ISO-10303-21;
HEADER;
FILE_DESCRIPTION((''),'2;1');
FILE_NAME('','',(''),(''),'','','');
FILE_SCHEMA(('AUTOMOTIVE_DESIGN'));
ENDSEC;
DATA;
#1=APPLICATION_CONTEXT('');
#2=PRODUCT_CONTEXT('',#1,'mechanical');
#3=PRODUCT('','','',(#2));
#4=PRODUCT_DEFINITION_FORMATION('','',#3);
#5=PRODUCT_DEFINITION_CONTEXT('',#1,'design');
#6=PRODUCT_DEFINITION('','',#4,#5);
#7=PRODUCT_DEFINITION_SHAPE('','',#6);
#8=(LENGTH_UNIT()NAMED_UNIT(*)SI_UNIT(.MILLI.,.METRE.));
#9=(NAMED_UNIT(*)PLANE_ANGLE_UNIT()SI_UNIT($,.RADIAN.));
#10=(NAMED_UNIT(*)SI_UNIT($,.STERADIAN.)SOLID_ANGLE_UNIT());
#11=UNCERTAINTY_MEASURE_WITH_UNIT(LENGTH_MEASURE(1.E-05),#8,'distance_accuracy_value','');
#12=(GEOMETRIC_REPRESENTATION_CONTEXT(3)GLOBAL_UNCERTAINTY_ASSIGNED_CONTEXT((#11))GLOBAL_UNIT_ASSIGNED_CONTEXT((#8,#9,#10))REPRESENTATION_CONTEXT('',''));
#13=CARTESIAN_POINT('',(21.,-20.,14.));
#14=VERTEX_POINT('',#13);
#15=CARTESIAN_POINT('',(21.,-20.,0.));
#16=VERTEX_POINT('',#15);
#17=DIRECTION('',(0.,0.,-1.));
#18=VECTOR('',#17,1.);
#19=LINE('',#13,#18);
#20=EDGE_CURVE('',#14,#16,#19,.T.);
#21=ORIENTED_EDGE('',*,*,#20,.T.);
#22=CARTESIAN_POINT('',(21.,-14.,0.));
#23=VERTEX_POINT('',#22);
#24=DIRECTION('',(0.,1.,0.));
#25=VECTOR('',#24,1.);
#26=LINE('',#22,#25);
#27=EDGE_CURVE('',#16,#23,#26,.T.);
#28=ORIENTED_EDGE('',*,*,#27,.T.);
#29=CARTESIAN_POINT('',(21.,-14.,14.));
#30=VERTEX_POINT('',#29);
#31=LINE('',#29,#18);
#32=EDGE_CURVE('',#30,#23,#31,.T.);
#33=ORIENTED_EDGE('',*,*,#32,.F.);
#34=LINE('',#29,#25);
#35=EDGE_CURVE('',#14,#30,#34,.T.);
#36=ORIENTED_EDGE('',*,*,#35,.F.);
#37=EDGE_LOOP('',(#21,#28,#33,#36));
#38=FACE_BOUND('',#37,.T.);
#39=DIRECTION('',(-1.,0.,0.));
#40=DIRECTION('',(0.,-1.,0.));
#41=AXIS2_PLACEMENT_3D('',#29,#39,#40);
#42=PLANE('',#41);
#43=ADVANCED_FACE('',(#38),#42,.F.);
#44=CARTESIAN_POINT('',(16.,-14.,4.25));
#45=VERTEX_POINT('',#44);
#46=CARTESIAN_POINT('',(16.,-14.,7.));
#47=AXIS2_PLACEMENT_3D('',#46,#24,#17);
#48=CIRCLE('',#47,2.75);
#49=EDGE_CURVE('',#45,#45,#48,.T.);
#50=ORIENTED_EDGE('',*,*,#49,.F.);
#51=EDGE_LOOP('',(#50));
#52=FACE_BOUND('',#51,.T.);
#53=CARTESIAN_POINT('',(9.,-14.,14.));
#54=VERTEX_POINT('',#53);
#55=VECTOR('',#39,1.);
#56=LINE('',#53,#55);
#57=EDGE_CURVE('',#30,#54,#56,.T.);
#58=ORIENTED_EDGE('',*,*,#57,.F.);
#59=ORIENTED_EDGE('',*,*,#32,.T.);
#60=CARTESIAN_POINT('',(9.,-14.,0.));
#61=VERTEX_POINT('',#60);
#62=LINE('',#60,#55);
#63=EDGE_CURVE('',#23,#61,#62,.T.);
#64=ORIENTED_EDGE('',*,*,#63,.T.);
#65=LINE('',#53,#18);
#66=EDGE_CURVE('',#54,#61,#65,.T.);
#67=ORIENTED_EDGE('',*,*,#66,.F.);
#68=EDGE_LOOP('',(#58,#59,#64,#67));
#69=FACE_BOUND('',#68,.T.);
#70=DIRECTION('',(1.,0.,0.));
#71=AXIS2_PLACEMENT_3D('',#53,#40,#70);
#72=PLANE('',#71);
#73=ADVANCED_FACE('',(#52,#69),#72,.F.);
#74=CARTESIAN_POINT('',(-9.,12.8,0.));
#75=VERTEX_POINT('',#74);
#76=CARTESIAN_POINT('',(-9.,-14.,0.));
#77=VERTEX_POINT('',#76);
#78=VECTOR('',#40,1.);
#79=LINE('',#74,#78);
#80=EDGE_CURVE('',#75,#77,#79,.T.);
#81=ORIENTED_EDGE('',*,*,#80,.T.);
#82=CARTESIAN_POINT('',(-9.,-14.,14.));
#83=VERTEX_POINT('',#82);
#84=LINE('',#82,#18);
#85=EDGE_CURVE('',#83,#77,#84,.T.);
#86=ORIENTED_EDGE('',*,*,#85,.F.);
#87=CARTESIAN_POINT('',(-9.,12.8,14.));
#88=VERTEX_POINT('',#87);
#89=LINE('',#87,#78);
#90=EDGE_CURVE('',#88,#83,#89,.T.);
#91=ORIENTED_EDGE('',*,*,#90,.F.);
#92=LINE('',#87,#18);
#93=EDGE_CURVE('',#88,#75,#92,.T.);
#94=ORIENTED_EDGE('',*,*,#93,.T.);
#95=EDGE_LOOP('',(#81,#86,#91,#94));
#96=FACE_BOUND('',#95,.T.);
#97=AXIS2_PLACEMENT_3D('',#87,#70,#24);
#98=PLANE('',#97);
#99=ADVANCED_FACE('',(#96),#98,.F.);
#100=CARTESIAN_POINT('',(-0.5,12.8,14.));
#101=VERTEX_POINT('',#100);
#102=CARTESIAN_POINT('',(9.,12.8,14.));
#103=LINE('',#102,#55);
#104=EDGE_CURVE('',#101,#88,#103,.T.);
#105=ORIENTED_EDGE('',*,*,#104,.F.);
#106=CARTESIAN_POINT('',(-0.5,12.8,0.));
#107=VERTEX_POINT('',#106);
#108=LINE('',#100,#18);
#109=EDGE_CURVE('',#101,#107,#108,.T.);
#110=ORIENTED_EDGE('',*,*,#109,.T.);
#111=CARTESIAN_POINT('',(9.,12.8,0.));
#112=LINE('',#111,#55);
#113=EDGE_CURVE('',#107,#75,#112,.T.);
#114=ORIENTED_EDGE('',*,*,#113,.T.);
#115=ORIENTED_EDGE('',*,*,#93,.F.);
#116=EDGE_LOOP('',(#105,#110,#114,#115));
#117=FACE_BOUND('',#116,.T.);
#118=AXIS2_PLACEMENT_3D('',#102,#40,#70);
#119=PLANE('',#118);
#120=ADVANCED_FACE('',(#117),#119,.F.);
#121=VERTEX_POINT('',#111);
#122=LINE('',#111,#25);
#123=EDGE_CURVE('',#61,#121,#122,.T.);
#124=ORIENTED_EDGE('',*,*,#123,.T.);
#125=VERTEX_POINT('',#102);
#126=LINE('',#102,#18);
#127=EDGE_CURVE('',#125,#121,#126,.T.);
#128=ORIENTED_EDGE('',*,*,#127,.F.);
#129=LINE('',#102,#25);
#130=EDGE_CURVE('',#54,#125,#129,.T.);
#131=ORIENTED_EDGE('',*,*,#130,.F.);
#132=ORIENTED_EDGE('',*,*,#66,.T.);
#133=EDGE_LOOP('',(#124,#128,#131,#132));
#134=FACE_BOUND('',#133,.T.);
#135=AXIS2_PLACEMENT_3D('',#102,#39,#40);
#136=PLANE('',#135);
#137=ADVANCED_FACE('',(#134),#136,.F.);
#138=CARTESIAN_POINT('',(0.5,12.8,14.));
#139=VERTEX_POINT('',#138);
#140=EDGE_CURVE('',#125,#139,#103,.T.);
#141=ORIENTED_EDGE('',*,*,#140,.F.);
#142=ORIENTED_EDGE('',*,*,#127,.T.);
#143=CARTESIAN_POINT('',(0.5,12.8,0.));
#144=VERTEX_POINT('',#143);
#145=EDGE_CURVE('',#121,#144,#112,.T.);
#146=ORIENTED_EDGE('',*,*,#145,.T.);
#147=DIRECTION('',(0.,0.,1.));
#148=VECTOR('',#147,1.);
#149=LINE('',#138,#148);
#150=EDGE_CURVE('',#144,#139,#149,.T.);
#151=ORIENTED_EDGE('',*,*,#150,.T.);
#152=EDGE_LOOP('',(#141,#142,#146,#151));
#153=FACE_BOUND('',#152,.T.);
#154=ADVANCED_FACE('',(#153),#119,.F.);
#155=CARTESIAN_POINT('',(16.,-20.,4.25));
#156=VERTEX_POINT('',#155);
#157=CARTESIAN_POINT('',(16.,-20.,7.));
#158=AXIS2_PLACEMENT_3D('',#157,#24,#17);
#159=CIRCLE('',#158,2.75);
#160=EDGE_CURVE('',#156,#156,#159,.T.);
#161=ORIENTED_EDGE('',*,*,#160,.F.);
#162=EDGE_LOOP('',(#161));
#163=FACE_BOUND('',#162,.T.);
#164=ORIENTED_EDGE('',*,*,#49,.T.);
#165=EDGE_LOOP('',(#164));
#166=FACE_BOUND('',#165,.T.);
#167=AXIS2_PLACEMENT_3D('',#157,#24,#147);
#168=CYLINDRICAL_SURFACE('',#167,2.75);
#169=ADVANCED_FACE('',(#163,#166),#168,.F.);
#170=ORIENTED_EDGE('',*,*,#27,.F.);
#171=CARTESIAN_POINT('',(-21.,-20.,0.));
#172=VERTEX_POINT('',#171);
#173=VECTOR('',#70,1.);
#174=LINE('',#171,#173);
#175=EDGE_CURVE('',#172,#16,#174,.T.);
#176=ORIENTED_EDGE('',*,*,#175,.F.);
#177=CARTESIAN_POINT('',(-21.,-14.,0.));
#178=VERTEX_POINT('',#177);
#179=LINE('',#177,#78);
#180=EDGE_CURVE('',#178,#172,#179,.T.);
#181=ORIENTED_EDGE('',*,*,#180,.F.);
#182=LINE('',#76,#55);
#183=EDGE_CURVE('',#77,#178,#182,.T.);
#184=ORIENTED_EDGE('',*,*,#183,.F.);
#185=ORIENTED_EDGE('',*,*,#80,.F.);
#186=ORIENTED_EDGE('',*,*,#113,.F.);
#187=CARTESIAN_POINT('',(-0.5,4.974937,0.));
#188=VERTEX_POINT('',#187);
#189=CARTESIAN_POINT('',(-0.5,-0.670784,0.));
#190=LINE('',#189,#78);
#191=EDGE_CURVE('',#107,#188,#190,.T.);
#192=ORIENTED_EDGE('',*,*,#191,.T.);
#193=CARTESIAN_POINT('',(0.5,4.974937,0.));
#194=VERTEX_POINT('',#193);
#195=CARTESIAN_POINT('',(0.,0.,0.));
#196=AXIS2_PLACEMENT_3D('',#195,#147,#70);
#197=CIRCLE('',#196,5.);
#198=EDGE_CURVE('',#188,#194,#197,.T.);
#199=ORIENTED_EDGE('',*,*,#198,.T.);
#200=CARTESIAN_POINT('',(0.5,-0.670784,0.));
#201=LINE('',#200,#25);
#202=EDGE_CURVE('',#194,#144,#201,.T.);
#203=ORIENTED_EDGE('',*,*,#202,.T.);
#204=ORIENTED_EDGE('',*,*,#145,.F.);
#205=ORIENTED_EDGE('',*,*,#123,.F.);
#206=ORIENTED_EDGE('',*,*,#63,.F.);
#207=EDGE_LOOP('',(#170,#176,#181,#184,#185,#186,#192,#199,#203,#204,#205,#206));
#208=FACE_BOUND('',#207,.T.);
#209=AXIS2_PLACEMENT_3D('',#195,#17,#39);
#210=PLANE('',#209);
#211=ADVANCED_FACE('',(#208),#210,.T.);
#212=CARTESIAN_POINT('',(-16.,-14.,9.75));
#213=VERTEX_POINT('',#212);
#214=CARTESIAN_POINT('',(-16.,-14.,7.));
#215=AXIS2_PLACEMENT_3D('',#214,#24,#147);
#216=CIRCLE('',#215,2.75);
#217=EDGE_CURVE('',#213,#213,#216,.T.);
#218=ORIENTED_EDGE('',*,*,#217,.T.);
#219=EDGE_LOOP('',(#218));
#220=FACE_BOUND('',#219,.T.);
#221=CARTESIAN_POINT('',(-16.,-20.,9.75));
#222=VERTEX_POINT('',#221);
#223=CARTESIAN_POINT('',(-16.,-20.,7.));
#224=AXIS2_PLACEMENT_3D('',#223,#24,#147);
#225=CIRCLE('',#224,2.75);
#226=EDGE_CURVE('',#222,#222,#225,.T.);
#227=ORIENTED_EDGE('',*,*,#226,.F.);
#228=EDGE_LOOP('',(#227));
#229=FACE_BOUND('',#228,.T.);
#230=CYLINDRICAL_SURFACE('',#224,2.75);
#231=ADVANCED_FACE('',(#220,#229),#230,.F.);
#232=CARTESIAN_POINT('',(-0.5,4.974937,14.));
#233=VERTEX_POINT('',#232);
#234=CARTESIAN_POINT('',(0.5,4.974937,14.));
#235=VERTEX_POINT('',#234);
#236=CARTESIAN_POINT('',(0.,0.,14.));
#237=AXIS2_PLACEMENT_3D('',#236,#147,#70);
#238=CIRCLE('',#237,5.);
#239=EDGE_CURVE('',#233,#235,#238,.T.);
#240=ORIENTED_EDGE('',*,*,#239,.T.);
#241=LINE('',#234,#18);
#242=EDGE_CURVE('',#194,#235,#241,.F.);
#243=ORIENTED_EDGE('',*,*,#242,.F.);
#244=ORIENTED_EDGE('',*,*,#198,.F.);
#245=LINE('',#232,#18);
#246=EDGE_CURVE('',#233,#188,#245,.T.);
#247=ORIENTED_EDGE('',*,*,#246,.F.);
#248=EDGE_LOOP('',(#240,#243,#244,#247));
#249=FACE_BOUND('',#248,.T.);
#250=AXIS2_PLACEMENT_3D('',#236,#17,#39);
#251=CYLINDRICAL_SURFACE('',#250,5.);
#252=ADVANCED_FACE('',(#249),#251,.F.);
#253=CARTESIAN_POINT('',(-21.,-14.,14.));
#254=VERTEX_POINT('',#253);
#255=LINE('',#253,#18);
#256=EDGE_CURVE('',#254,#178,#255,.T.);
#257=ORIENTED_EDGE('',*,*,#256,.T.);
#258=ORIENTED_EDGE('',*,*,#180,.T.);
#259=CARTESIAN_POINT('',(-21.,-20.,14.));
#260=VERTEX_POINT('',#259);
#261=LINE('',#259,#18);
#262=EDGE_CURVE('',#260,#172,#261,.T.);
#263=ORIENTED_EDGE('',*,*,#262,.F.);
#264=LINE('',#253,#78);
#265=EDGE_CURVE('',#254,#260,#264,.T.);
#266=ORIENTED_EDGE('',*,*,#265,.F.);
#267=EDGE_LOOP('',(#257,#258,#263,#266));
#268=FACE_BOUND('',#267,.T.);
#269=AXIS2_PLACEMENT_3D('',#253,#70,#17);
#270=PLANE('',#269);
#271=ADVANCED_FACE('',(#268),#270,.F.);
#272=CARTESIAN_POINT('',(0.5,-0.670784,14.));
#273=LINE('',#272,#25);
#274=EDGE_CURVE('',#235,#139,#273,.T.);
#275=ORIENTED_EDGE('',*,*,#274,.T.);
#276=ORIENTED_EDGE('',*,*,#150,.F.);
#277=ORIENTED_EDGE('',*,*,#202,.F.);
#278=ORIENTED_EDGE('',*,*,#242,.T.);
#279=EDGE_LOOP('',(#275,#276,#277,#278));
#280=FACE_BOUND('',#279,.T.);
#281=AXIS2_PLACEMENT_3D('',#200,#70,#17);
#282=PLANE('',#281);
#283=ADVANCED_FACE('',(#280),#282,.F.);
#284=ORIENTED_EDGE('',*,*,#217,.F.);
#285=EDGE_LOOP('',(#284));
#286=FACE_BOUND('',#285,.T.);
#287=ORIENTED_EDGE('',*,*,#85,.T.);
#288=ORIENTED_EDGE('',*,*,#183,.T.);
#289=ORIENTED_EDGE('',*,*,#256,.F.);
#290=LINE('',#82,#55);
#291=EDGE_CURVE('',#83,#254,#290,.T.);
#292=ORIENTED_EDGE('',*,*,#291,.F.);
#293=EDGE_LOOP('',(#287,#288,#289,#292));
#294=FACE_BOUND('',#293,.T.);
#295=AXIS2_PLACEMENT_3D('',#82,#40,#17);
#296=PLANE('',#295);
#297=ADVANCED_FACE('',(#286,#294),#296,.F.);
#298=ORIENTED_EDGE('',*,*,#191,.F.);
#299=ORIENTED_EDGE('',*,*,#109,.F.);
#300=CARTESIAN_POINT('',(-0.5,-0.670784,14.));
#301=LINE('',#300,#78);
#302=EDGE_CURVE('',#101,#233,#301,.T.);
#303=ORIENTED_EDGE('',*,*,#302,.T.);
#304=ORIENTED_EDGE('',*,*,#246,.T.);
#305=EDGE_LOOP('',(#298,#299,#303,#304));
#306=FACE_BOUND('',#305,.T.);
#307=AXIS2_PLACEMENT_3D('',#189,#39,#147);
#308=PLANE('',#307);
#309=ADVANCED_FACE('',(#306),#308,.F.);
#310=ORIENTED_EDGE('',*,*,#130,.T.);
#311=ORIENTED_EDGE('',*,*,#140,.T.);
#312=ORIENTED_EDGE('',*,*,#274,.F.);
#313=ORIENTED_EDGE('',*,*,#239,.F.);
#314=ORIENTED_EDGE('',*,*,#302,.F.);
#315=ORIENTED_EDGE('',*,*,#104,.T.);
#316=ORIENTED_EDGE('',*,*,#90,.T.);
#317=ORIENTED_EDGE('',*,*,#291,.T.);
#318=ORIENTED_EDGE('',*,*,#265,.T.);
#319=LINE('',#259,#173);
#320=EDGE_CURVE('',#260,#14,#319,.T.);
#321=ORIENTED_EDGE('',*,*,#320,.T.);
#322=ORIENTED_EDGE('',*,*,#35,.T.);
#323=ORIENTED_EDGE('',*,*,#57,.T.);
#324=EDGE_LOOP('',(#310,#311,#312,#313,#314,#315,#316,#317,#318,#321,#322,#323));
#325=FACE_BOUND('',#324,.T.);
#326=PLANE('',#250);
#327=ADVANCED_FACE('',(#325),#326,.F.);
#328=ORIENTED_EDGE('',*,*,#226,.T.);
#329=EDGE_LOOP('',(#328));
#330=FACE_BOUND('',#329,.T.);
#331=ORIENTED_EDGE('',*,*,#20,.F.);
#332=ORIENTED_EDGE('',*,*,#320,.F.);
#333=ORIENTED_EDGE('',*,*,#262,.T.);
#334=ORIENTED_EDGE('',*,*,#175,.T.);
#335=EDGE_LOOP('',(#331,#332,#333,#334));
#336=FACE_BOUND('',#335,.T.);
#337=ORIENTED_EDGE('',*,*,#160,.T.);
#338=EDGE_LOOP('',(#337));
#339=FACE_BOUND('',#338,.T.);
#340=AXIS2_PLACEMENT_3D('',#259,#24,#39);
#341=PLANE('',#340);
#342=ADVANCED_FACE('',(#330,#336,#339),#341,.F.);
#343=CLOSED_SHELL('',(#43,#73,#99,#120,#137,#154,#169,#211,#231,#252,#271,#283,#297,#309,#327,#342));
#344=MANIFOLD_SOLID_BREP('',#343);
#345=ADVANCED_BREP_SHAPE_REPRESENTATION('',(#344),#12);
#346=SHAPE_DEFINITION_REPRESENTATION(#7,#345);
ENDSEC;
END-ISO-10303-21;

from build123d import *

# Parameters (mm, degrees)
SKETCH1_R           = 5
BOSS_EXTRUDE1_DEPTH = 14
SKETCH2_W           = 1
SKETCH2_H           = 15.34768378
CUT_EXTRUDE1_DEPTH  = 15
SKETCH3_R           = 2.75
CUT_EXTRUDE2_DEPTH  = 7


with BuildPart() as part:
    # Sketch1 → Boss-Extrude1 (new body)
    with BuildSketch(Plane.XY):
        Polygon((9, 12.8), (-9, 12.8), (-9, -14), (-21, -14), (-21, -20), (21, -20), (21, -14), (9, -14), align=None)
        Circle(SKETCH1_R, mode=Mode.SUBTRACT)
    extrude(amount=BOSS_EXTRUDE1_DEPTH)

    # Sketch2 → Cut-Extrude1 (cut, through all)
    with BuildSketch(Plane.XY.offset(14)):
        with Locations((0, 7.003057882)):
            Rectangle(SKETCH2_W, SKETCH2_H)
    extrude(amount=-CUT_EXTRUDE1_DEPTH, mode=Mode.SUBTRACT)

    # Sketch3 → Cut-Extrude2 (cut, through all)
    with BuildSketch(Plane(origin=(0, -14, 0), x_dir=(1, 0, 0), z_dir=(0, 1, 0))):
        with Locations((-16, -7)):
            Circle(SKETCH3_R)
        with Locations((16, -7)):
            Circle(SKETCH3_R)
    extrude(amount=-CUT_EXTRUDE2_DEPTH, mode=Mode.SUBTRACT)


solid = part.part
